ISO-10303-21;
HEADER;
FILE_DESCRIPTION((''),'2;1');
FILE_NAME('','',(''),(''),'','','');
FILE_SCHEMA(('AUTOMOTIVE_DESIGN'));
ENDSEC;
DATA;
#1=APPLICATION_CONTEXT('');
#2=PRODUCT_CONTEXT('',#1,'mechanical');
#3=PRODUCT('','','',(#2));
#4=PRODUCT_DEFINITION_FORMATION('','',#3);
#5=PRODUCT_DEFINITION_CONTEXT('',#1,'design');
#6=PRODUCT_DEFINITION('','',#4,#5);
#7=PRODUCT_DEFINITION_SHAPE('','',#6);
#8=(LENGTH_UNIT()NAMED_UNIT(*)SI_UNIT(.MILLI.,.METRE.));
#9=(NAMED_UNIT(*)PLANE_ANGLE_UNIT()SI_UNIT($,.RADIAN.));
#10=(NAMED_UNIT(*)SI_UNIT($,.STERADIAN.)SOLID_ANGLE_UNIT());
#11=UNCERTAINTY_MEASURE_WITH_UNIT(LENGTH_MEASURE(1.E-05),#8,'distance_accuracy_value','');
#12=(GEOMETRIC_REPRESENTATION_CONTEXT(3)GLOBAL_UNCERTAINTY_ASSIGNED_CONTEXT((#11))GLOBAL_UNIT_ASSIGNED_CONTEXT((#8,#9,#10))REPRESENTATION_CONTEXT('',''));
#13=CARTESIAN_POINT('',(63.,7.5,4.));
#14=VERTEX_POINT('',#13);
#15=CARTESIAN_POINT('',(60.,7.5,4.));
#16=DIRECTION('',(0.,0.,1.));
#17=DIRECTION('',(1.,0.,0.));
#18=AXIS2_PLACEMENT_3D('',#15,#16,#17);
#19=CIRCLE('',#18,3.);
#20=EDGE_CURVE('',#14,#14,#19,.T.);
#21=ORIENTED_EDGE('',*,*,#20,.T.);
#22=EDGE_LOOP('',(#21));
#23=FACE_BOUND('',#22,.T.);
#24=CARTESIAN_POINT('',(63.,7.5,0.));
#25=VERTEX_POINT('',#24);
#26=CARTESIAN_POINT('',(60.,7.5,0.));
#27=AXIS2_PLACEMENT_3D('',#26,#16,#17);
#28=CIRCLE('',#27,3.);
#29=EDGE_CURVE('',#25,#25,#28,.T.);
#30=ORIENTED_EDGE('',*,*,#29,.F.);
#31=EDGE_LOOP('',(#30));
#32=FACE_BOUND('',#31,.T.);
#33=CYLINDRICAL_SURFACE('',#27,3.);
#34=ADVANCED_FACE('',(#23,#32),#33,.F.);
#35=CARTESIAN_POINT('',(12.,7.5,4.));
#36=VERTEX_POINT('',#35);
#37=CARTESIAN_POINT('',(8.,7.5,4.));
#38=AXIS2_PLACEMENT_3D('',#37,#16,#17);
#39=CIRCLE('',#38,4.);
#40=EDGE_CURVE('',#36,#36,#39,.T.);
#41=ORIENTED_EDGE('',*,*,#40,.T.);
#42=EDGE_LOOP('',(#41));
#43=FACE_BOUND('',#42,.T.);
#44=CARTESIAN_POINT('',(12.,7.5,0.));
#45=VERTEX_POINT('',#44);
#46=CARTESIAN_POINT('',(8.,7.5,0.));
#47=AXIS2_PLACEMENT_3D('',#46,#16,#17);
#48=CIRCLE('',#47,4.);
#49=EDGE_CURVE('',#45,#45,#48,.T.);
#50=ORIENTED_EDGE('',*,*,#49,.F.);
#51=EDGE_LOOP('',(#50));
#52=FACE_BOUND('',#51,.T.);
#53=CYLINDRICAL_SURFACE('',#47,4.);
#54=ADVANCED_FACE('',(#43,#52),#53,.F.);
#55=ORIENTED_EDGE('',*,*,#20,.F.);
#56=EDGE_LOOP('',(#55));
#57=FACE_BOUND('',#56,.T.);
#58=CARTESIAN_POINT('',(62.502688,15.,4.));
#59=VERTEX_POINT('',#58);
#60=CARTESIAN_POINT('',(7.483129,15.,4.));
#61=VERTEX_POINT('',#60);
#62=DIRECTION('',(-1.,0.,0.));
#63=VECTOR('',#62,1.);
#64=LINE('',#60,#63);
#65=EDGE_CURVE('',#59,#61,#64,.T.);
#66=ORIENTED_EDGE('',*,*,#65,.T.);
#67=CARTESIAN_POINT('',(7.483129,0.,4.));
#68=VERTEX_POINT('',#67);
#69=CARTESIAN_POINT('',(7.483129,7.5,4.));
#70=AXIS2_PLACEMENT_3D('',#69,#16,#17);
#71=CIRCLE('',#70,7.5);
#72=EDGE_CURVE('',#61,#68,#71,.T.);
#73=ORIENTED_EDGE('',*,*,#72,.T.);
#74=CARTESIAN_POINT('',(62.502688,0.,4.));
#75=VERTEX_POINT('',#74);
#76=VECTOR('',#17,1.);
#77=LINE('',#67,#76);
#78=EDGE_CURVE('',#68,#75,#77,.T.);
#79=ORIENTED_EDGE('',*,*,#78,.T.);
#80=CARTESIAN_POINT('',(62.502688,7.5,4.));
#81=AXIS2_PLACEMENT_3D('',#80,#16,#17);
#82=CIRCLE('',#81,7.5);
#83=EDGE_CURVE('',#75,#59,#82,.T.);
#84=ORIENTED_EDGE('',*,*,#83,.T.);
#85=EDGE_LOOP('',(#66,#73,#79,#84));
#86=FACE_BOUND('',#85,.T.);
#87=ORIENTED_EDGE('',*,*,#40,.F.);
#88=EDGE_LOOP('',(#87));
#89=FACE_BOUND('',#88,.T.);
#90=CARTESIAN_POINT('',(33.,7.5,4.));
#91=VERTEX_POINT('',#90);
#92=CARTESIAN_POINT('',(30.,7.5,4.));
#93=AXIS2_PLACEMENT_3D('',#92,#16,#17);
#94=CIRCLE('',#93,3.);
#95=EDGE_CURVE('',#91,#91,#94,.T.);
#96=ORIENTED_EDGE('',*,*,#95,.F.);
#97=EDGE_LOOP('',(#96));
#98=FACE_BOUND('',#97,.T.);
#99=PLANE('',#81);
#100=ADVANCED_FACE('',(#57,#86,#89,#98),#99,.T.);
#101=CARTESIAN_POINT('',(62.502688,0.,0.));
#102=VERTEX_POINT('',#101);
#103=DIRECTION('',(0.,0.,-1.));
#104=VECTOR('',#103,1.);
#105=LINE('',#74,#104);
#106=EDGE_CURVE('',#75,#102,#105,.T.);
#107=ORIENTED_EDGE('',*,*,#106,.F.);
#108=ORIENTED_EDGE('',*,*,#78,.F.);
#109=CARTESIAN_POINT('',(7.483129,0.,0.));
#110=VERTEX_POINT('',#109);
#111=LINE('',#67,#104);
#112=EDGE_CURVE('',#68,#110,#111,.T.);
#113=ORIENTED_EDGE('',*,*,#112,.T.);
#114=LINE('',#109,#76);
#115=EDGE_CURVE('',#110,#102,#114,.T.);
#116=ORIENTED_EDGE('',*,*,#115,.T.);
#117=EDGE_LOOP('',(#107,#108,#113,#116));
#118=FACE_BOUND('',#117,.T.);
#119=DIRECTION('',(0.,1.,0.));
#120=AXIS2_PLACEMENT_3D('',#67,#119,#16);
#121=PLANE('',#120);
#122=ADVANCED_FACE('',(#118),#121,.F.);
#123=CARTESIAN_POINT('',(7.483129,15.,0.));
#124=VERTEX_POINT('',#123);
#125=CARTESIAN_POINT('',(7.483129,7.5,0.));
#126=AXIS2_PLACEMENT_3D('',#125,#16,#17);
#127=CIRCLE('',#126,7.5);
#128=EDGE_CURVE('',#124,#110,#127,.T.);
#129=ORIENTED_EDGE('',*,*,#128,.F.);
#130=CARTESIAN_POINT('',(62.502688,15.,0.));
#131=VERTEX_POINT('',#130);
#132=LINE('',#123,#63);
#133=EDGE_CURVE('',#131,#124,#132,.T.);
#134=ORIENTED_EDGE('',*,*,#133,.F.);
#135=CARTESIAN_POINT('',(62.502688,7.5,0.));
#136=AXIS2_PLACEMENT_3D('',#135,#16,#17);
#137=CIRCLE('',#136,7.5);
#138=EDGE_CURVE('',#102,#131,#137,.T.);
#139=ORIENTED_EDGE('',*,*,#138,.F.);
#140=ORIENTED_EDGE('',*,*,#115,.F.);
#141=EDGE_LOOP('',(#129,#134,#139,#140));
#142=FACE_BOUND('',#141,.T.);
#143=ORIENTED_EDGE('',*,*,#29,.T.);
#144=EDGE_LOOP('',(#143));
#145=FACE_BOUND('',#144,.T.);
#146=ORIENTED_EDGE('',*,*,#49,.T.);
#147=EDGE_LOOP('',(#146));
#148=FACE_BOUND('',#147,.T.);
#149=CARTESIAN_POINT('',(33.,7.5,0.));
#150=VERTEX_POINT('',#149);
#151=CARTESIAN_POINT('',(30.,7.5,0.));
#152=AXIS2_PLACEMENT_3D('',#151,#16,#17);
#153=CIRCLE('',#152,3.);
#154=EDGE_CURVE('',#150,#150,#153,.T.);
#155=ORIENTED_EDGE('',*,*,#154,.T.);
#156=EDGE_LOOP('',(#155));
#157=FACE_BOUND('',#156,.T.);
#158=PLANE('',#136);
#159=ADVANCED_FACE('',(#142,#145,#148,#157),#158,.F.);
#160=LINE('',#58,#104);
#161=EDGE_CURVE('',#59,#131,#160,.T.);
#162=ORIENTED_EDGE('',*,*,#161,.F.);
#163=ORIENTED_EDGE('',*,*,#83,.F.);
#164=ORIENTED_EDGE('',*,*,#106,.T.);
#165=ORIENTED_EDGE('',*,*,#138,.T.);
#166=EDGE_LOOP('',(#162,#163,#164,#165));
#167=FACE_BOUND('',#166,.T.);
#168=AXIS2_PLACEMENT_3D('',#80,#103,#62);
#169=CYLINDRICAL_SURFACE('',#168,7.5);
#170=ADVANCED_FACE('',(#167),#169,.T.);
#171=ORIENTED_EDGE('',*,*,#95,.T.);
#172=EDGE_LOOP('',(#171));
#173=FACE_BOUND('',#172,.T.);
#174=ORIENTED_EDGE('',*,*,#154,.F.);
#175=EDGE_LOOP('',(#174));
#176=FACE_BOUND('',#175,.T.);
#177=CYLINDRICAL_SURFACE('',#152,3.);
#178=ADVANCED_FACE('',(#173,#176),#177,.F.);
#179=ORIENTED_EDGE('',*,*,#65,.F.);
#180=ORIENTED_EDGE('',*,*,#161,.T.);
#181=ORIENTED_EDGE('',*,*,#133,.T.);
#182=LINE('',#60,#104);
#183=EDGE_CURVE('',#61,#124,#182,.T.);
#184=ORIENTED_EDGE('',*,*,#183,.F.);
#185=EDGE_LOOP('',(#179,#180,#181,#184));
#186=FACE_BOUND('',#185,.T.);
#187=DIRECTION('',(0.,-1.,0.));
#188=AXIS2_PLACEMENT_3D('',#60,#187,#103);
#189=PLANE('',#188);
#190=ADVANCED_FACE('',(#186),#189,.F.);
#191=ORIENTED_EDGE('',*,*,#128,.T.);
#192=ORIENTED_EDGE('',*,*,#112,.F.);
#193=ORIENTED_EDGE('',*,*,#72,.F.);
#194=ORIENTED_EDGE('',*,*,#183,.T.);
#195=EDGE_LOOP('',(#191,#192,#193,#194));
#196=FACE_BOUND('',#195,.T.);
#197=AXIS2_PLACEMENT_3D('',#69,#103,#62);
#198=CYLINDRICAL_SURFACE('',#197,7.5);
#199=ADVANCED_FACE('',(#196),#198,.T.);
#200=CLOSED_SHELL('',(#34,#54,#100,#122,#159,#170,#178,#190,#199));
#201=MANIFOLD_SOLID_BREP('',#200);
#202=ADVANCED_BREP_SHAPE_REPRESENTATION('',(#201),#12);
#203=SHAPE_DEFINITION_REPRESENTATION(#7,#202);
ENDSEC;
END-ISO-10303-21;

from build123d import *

# Parameters (mm, degrees)
EXTRUDE_1_DEPTH     = 4
SKETCH_2_R          = 4
SKETCH_2_R_2        = 3
CUT_EXTRUDE_1_DEPTH = 4


with BuildPart() as part:
    # Эскиз1 → Бобышка-Вытянуть1 (new body)
    with BuildSketch(Plane.XY):
        with BuildLine():
            Line((7.483128905, 0), (62.502687585, 0))
            ThreePointArc((62.502687585, 0), (70.002687585, 7.5), (62.502687585, 15))
            Line((62.502687585, 15), (7.483128905, 15))
            ThreePointArc((7.483128905, 15), (-0.016871095, 7.5), (7.483128905, 0))
        make_face()
    extrude(amount=EXTRUDE_1_DEPTH)

    # Эскиз2 → Вырез-Вытянуть1 (cut)
    with BuildSketch(Plane.XY.offset(4)):
        with Locations((8, 7.5)):
            Circle(SKETCH_2_R)
        with Locations((30, 7.5)):
            Circle(SKETCH_2_R_2)
        with Locations((60, 7.5)):
            Circle(SKETCH_2_R_2)
    extrude(amount=-CUT_EXTRUDE_1_DEPTH, mode=Mode.SUBTRACT)


solid = part.part
